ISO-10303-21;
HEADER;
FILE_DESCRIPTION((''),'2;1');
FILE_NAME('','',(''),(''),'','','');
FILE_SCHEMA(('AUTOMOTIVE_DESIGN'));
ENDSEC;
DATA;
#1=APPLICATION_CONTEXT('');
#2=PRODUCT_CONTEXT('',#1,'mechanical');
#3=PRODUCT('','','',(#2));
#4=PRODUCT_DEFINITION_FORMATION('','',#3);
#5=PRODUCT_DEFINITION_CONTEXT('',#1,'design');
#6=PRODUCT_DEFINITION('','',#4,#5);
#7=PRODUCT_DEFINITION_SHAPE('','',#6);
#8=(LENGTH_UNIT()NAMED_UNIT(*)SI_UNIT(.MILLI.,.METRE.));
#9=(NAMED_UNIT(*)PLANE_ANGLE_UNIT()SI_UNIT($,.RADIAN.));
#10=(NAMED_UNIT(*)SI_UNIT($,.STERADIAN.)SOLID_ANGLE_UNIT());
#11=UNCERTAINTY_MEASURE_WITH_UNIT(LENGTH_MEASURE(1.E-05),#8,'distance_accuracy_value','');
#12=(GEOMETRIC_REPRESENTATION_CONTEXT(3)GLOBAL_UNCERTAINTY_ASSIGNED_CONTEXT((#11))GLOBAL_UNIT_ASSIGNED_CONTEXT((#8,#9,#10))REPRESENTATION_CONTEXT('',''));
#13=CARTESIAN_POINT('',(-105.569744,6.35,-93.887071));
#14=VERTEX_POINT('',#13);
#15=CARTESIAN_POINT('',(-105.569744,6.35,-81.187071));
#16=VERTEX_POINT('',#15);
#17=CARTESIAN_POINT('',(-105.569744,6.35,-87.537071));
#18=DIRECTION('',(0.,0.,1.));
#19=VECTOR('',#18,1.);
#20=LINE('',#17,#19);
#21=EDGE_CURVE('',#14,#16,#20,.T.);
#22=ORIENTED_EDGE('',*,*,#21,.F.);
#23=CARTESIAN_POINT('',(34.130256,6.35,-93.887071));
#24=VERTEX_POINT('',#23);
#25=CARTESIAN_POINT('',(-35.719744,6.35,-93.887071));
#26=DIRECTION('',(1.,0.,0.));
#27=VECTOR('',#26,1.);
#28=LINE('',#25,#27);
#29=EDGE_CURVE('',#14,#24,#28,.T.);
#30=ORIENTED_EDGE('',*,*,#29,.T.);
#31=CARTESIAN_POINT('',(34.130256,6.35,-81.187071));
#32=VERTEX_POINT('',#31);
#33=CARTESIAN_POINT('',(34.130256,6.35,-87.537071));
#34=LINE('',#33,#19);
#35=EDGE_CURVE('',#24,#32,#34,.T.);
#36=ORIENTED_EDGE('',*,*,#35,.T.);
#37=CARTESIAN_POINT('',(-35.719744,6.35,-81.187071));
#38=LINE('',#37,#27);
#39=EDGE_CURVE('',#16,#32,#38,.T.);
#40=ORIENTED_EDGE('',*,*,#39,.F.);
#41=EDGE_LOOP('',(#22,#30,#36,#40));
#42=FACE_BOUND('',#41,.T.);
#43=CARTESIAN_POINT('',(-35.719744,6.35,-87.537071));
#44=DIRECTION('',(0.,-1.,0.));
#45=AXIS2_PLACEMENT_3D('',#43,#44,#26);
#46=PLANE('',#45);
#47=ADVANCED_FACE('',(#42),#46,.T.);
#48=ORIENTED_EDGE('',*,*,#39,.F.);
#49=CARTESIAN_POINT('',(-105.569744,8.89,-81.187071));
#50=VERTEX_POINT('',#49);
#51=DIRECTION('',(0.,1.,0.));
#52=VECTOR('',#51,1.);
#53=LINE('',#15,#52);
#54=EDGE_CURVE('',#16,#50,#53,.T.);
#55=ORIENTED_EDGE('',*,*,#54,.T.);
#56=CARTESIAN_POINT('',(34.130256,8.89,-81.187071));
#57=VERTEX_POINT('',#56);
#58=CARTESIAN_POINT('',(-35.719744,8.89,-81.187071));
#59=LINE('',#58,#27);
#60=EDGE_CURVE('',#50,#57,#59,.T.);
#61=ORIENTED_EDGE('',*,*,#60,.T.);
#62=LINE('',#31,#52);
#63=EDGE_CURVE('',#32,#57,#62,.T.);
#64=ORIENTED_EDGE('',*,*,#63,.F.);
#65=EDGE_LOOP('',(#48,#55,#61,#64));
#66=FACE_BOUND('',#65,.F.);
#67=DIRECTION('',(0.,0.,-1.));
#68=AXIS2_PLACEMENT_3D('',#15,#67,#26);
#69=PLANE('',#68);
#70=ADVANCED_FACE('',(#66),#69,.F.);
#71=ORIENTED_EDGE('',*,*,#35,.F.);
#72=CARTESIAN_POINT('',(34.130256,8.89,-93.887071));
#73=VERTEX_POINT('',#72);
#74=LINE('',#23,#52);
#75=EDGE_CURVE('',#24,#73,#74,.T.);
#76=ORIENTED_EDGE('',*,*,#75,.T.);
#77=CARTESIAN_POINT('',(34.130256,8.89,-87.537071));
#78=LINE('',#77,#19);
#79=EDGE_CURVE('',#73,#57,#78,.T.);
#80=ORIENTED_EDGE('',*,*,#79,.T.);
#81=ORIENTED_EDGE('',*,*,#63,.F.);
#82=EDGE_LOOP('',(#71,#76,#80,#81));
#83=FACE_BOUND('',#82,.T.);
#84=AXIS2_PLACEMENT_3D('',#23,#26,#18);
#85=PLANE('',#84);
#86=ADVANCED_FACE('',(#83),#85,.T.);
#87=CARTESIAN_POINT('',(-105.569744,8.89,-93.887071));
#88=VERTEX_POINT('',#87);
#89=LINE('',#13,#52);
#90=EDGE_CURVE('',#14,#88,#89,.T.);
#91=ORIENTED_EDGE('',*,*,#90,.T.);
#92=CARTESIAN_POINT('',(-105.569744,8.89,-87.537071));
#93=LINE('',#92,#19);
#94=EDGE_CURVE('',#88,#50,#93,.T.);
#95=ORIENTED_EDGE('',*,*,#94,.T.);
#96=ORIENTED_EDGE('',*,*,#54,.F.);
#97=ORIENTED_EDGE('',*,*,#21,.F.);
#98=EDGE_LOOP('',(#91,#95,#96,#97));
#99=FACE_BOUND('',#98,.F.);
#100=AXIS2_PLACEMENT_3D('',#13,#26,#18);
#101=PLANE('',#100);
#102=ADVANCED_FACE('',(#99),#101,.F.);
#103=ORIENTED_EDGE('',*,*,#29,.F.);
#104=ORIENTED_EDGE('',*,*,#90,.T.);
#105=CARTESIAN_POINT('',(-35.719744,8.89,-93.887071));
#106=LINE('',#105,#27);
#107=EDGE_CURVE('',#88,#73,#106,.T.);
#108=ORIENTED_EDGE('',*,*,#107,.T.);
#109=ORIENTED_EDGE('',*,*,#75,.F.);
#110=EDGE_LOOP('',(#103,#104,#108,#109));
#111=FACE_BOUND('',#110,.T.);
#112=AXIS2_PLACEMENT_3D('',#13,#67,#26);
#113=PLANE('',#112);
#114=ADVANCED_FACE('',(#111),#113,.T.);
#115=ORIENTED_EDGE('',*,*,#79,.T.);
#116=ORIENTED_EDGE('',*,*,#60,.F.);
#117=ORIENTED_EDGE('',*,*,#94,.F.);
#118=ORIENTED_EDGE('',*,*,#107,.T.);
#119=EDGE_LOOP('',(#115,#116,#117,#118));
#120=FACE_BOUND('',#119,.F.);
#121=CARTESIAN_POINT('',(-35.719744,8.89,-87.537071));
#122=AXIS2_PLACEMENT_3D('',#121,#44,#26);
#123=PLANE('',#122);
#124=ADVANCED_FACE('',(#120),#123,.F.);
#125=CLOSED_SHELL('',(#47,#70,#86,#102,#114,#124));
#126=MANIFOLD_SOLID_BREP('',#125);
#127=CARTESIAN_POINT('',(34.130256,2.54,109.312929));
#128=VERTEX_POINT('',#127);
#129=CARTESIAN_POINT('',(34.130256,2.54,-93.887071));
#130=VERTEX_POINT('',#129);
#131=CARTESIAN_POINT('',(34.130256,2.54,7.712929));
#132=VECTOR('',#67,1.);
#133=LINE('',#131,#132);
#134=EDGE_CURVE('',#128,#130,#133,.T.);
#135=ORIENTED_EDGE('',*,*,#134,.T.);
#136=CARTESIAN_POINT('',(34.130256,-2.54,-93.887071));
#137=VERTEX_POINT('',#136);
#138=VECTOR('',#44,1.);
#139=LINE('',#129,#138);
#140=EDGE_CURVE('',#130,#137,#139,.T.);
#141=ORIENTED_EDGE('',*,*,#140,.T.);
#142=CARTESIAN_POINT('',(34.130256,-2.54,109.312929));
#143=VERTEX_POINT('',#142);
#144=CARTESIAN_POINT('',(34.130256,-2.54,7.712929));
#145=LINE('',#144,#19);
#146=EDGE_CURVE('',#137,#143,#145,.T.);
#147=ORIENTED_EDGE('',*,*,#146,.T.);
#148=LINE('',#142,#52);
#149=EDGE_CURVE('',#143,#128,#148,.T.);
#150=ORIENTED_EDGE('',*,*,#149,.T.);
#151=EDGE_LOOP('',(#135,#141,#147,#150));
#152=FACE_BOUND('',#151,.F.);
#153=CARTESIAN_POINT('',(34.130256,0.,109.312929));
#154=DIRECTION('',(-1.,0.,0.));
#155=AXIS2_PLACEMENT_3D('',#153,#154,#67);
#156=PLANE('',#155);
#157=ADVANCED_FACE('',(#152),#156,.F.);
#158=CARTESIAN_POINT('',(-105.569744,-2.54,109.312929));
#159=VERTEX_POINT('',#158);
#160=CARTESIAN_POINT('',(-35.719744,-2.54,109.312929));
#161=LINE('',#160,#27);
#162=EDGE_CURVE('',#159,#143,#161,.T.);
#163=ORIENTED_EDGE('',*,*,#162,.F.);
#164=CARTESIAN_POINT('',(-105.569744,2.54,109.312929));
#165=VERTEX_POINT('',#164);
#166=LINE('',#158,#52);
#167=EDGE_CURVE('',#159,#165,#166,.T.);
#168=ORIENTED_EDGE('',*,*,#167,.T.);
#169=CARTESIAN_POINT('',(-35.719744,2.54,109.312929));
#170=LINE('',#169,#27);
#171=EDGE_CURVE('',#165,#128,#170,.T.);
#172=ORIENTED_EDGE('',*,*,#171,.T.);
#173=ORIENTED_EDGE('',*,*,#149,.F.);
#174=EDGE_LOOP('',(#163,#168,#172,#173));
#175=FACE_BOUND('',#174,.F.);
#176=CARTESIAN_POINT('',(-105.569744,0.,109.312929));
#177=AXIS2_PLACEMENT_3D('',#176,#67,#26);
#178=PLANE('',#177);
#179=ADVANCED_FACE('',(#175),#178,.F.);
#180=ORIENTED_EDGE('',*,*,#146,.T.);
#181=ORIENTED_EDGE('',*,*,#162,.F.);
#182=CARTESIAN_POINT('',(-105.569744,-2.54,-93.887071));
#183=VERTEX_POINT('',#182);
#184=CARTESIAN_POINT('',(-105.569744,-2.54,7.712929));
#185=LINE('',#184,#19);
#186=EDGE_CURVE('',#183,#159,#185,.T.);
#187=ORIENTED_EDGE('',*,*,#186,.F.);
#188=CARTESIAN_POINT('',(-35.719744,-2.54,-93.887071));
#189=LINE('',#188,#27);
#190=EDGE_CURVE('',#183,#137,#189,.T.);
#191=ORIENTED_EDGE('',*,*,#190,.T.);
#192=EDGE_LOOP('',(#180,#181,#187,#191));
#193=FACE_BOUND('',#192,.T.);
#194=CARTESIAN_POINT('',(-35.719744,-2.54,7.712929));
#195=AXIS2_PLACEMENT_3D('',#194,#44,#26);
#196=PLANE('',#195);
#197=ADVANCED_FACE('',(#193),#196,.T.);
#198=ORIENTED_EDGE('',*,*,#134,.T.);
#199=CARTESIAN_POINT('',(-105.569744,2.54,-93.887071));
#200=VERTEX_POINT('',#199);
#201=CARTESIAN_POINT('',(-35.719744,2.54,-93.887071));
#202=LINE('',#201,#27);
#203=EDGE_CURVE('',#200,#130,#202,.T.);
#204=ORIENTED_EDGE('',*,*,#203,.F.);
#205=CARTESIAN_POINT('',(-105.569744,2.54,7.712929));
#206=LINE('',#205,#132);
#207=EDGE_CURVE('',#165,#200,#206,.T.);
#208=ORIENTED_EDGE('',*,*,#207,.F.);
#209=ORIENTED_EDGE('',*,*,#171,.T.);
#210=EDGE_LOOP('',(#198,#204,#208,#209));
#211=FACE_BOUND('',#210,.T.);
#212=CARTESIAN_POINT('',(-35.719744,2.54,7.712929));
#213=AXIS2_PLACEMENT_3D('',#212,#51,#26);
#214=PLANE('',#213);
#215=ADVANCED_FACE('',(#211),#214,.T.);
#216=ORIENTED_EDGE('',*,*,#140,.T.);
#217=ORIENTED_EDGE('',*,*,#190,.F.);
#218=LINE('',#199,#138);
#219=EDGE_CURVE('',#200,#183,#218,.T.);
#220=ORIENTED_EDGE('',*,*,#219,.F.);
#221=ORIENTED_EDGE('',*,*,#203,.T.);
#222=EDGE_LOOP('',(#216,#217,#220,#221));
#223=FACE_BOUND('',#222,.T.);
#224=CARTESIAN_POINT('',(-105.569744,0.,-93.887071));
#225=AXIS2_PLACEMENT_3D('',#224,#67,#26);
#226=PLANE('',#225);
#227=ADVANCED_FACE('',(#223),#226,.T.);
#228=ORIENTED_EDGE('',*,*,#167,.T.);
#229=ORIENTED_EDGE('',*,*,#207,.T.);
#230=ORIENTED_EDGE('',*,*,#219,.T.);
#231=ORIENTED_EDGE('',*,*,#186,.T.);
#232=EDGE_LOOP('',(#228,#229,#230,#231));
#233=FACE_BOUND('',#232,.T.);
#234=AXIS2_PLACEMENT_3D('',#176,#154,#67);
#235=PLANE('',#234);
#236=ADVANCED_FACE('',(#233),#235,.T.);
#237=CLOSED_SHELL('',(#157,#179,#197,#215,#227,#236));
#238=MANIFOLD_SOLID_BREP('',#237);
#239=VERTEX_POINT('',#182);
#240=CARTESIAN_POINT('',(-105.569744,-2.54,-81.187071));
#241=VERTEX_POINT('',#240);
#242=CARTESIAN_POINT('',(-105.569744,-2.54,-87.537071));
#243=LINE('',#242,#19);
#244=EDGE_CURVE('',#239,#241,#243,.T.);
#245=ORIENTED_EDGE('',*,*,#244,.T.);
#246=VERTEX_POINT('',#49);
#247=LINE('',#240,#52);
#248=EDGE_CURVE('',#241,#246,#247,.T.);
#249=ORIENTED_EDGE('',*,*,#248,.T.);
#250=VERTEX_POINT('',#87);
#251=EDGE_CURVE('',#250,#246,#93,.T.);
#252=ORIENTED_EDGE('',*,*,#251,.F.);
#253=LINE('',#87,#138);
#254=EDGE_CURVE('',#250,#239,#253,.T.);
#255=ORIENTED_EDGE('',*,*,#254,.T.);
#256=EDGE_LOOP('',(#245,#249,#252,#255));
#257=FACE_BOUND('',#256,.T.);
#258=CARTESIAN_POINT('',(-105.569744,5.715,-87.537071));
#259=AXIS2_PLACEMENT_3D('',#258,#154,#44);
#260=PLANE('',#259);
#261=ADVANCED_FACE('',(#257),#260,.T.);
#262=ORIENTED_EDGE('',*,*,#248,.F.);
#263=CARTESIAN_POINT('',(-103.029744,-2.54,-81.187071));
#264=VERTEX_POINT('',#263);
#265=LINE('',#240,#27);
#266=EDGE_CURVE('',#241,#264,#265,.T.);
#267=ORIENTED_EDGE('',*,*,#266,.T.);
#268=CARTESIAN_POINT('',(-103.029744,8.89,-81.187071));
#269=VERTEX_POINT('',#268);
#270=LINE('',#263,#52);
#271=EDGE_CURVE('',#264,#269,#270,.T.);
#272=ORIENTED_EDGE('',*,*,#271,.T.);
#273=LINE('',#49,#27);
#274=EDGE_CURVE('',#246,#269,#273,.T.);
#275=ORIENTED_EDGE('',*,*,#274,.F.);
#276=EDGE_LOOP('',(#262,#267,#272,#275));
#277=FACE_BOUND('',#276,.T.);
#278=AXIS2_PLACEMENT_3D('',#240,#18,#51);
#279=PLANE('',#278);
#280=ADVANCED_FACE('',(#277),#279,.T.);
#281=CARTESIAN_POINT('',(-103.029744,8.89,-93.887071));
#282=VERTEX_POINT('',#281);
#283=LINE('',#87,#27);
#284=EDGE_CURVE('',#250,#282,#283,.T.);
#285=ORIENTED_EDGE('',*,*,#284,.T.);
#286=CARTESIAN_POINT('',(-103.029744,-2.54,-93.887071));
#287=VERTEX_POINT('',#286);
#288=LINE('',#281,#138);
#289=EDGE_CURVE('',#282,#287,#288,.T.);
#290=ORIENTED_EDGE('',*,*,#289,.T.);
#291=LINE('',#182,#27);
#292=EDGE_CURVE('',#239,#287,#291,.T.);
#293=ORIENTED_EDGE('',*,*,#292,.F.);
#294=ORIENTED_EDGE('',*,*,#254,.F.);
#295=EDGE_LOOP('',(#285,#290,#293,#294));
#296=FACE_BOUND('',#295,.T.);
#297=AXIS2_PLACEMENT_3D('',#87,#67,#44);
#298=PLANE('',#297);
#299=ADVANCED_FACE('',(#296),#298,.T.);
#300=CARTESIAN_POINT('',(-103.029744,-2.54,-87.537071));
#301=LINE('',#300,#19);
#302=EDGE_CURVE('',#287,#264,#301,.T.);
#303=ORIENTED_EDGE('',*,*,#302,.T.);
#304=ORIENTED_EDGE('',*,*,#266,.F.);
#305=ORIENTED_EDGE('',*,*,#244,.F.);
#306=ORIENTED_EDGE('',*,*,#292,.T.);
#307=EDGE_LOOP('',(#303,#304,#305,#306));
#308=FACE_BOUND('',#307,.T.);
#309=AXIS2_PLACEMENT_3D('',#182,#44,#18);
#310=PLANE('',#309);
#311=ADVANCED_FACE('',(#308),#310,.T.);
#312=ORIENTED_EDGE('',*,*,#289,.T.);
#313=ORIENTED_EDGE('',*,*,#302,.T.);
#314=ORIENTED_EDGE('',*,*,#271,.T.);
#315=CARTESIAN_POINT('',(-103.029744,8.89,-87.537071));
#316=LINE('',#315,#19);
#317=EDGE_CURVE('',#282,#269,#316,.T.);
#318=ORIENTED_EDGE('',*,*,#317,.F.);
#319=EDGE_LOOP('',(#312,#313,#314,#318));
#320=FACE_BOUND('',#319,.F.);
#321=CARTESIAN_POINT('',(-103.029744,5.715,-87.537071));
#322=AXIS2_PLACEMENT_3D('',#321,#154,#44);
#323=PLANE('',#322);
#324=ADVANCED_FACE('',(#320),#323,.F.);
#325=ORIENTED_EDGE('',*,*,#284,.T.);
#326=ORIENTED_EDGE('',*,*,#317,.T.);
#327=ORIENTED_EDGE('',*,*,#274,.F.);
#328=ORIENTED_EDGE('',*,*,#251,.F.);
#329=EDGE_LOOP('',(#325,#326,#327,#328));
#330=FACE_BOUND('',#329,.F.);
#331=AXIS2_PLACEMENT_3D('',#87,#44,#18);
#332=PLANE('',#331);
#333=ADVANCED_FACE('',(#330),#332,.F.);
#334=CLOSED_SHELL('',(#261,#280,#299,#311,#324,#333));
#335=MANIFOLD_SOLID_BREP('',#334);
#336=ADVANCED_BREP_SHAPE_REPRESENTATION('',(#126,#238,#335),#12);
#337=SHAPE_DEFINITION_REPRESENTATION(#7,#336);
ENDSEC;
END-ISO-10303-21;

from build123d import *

# Parameters (mm, degrees)
F0_W      = 139.7
F0_H      = 203.2
F1_DEPTH  = 2.54
F3_W      = 139.7
F3_H      = 12.7
F1_FACE_W = 139.7
F1_FACE_H = 203.2
F4_DEPTH  = 2.54
F5_W      = 6.35
F5_H      = 12.7
F5_W_2    = 5.08
F6_DEPTH  = 2.54


with BuildPart() as f1:
    # F0 (on Front) → F1 (new body)
    with BuildSketch(Plane.XZ):
        with Locations((-35.7197444822, 7.7129285783)):
            Rectangle(F0_W, F0_H)
    extrude(amount=F1_DEPTH)

    # F3 (on offset) + F1_face (on face) → F4 (join)
    with BuildSketch(Plane.XZ.offset(-6.35)):
        with Locations((-35.7197444822, -87.5370714217)):
            Rectangle(F3_W, F3_H)
    with BuildSketch(Plane(origin=(-35.7197444822, 0, 7.7129285783), x_dir=(1, 0, 0), z_dir=(0, 1, 0))):
        Rectangle(F1_FACE_W, F1_FACE_H)
    extrude(amount=-F4_DEPTH, dir=(0, -1, 0))


with BuildPart() as f6:
    # F5 (on face) → F6 (new body)
    with BuildSketch(Plane(origin=(-105.5697444822, 0, 0), x_dir=(0, -1, 0), z_dir=(-1, 0, 0))):
        with Locations((-5.715, -87.5370714217)):
            Rectangle(F5_W, F5_H)
        with Locations((0, -87.5370714217)):
            Rectangle(F5_W_2, F5_H)
    extrude(amount=-F6_DEPTH)


solid = Compound([f1.part, f6.part])
